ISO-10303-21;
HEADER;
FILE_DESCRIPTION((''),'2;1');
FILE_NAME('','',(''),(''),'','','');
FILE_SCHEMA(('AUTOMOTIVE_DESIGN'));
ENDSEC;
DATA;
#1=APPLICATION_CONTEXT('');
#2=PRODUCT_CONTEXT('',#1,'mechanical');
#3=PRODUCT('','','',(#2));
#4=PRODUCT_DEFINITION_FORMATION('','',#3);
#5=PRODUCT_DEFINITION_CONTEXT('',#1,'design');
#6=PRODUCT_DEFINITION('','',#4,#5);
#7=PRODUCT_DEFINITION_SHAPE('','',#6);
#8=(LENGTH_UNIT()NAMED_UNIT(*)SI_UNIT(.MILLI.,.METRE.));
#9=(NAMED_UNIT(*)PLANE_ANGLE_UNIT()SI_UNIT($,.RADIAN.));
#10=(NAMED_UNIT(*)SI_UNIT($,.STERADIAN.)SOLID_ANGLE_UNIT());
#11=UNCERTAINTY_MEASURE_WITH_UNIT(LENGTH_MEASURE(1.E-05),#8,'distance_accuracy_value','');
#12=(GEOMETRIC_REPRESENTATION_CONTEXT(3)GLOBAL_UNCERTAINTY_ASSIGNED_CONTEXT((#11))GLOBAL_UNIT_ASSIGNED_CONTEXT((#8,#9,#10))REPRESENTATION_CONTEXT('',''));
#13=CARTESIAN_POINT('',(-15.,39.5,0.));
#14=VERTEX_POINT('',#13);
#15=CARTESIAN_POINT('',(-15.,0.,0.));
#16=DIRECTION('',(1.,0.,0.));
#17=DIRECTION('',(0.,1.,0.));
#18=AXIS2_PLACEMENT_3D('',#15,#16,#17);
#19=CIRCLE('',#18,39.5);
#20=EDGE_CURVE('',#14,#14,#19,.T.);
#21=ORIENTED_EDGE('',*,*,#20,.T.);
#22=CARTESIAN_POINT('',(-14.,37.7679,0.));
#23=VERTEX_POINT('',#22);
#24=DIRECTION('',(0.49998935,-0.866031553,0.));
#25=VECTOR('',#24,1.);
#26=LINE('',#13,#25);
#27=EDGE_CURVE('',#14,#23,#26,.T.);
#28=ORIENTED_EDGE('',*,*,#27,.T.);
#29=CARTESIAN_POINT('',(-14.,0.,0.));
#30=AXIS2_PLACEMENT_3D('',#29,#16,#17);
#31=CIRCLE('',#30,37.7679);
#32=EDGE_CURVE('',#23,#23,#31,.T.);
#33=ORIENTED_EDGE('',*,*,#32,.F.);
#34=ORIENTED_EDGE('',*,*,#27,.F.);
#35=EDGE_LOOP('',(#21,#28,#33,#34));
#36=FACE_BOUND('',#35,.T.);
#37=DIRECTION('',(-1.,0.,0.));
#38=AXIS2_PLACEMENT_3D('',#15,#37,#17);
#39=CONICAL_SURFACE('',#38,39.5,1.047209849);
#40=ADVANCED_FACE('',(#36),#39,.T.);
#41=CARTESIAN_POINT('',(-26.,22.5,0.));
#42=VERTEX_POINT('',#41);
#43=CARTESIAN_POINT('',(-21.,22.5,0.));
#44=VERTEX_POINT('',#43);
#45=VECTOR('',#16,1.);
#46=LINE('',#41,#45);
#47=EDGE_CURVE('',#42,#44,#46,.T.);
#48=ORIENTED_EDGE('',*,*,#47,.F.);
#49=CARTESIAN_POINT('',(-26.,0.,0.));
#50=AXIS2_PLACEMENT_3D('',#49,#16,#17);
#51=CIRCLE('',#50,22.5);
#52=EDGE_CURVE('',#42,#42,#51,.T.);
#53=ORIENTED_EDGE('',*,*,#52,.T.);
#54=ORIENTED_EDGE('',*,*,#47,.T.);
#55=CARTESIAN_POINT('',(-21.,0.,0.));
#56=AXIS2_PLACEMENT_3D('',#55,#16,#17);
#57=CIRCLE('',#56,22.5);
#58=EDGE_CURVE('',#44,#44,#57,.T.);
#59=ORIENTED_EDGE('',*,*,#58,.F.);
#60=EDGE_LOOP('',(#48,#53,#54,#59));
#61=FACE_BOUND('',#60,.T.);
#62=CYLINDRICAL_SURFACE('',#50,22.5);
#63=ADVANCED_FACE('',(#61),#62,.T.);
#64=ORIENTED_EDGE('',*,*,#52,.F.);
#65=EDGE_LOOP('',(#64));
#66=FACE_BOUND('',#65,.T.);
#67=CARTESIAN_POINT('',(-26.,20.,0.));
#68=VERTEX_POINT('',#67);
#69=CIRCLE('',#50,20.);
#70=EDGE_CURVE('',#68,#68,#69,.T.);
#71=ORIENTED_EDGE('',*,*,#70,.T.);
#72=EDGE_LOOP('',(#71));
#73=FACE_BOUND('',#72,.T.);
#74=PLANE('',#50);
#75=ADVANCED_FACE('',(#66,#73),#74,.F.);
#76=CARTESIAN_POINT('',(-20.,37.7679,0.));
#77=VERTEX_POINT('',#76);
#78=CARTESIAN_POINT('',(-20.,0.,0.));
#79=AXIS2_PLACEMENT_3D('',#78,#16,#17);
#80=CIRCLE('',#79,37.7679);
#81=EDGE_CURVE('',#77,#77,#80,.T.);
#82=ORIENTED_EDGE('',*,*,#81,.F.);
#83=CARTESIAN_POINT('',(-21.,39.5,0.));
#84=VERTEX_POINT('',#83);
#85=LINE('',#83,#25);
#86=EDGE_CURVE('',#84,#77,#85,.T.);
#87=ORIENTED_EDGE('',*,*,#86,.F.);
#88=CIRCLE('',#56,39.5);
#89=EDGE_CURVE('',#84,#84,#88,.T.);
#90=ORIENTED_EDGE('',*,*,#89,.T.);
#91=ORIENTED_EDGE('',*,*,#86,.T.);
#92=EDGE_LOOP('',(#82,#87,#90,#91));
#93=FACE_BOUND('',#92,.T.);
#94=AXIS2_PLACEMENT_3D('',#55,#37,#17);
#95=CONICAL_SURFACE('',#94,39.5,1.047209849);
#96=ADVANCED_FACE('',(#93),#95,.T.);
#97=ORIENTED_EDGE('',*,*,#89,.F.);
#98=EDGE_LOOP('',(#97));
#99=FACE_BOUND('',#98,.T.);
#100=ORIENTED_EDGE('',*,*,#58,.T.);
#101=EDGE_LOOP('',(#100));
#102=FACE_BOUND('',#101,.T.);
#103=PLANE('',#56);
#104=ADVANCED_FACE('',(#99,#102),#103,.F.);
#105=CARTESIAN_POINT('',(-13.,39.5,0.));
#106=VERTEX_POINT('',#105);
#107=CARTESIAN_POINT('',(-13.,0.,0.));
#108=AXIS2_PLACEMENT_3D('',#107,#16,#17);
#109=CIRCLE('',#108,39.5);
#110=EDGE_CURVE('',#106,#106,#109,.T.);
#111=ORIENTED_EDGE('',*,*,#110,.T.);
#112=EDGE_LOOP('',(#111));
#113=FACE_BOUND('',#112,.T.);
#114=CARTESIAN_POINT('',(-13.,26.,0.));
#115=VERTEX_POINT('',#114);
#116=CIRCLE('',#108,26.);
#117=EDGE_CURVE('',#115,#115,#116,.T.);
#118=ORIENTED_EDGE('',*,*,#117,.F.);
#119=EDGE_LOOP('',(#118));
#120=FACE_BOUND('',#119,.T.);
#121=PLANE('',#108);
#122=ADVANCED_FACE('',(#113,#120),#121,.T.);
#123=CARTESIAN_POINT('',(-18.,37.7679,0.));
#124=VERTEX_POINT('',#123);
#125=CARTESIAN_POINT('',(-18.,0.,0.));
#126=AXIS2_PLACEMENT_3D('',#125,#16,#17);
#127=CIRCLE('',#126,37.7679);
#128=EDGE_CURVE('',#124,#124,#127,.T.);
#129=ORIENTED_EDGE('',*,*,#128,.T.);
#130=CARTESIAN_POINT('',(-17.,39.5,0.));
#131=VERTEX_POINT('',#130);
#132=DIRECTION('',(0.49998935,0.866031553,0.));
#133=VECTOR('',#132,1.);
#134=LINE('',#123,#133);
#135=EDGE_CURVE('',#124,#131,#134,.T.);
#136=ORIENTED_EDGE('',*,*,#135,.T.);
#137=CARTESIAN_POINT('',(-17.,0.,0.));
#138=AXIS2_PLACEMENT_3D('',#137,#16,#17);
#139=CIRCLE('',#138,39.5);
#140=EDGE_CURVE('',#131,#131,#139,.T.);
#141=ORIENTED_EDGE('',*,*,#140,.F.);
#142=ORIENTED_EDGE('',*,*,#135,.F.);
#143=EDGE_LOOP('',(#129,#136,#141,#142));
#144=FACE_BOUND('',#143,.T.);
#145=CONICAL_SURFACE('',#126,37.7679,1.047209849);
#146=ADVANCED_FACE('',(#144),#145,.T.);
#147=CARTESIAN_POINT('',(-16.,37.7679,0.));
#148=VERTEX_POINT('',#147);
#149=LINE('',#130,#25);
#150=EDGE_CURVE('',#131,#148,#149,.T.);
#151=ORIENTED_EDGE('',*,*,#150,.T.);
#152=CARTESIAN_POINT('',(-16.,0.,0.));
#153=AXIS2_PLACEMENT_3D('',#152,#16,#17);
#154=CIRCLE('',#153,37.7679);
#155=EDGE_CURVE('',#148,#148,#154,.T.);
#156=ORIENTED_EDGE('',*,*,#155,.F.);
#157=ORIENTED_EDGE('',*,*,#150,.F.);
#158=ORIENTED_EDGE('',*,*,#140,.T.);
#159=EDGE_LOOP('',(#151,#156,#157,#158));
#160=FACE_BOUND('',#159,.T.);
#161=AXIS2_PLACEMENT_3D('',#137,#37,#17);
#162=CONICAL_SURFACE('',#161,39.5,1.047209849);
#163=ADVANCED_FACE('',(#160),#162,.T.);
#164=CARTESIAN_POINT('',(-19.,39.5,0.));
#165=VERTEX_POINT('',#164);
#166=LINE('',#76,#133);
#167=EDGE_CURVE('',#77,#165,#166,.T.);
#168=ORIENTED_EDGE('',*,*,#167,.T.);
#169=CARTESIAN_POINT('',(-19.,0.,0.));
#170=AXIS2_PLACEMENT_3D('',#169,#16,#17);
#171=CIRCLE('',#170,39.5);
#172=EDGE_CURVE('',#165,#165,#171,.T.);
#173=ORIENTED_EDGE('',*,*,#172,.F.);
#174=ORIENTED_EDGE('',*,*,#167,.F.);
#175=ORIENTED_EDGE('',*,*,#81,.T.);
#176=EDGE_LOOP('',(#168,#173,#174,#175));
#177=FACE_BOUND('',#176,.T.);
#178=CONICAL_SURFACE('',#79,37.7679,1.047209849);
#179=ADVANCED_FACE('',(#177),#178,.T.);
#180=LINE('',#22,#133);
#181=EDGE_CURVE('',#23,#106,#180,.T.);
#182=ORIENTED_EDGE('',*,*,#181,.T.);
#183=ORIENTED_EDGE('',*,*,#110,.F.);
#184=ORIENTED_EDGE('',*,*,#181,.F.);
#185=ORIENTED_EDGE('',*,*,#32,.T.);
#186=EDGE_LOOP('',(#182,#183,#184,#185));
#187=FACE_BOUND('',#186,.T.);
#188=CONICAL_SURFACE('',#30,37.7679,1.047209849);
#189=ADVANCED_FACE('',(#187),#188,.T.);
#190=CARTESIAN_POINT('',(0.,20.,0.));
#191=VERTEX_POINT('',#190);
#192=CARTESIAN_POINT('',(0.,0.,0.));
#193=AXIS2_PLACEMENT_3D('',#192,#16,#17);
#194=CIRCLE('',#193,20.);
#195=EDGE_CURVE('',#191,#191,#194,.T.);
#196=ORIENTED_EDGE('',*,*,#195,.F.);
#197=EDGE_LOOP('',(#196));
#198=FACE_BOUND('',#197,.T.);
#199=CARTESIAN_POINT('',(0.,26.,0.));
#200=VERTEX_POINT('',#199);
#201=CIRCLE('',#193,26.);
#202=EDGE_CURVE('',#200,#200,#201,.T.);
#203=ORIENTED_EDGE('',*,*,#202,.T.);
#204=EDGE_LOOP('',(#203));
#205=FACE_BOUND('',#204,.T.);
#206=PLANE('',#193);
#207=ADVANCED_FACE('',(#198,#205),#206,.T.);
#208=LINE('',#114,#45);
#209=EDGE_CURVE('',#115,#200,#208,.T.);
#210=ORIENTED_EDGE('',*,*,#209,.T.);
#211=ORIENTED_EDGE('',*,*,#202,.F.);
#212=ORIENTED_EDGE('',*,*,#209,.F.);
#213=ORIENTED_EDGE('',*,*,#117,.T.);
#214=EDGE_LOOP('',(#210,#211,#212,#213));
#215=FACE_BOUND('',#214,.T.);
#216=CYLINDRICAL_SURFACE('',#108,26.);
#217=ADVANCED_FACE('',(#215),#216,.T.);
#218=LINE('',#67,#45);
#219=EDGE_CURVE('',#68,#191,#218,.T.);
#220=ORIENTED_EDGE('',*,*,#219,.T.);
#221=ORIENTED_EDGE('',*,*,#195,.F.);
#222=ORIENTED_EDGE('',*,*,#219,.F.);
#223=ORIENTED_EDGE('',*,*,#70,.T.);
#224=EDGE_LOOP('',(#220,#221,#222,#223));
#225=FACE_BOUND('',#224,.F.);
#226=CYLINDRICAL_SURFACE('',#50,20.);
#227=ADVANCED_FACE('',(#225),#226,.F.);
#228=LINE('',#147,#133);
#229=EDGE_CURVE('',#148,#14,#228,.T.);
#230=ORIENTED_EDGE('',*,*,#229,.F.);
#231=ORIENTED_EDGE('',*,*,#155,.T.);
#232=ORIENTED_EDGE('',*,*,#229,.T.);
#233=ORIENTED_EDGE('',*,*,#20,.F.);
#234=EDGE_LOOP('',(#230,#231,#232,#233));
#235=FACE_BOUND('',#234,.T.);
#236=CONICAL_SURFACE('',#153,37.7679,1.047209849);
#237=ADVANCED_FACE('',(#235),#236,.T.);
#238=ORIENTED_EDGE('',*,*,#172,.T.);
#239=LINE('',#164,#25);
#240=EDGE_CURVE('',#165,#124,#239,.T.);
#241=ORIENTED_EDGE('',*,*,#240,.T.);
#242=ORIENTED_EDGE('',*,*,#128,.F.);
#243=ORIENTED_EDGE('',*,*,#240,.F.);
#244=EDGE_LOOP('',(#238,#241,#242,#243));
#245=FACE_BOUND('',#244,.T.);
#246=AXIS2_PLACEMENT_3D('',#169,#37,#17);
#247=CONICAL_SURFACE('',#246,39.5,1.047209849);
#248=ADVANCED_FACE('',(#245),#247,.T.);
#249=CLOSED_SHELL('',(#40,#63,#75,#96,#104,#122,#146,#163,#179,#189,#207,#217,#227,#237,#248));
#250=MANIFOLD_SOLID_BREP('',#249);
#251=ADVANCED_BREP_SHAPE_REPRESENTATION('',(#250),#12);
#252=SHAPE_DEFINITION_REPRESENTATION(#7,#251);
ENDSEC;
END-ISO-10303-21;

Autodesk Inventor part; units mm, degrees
ref_plane "YZ Plane" through (0, 0, 0) normal (1, 0, 0) x (0, 1, 0)
ref_plane "XZ Plane" through (0, 0, 0) normal (0, 1, 0) x (-1, 0, 0)
ref_plane "XY Plane" through (0, 0, 0) normal (0, 0, 1) x (1, 0, 0)
sketch "草图1" plane through (0, 0, 0) normal (0, 0, 1) x (1, 0, 0)
  line L0 (-31.2, 0) -> (5.2, 0) construction
  line L1 (0, -36.4) -> (0, 36.4) construction
  line L2 (-26, 22.5) -> (-13, 22.5)
  line L3 (-13, -22.5) -> (-26, -22.5)
  line L4 (-26, -22.5) -> (-26, 22.5)
  line L5 (-13, 26) -> (0, 26)
  line L6 (0, 26) -> (0, -26)
  line L7 (0, -26) -> (-13, -26)
  line L8 (-13, -26) -> (-13, -22.5)
  line L9 (-13, 22.5) -> (-13, 26)
  line L10 (-26, 20) -> (0, 20)
  line L11 (0, 20) -> (0, -20)
  line L12 (0, -20) -> (-26, -20)
  line L13 (-26, -20) -> (-26, 20)
  point P0 (0, 0)
  point P1 (0, 20)
  dimension "d0" = 26
  dimension "d1" = 13
  dimension "d2" = 45
  dimension "d3" = 52
  dimension "d4" = 40
revolve "旋转1" add sketch "草图1" angle 360 about axis through (-10, 0, 0) along (1, 0, 0) contours L2 L9 L5 L6 L10 L4
sketch "草图2" plane through (0, 0, 0) normal (0, 0, 1) x (1, 0, 0)
  line L0 (-26, -22.5) -> (-26, 22.5) construction
  line L1 (-13, -22.5) -> (-13, 22.5) construction
  line L2 (-26, 22.5) -> (-13, 22.5) construction
  line L3 (-26, -22.5) -> (-13, -22.5) construction
  line L4 (-21, 39.5) -> (-13, 39.5)
  line L5 (-13, 39.5) -> (-13, -39.5)
  line L6 (-13, -39.5) -> (-21, -39.5)
  line L7 (-21, -39.5) -> (-21, 39.5)
  line L8 (-81.7478, 0) -> (13.6246, 0) construction
  line L9 (-21, 22.5) -> (-13, 22.5)
  line L10 (-21, 39.5) -> (-20, 37.7679)
  line L11 (-20, 37.7679) -> (-19, 39.5)
  line L12 (-19, 39.5) -> (-18, 37.7679)
  line L13 (-18, 37.7679) -> (-17, 39.5)
  line L14 (-17, 39.5) -> (-16, 37.7679)
  line L15 (-16, 37.7679) -> (-15, 39.5)
  line L16 (-15, 39.5) -> (-14, 37.7679)
  line L17 (-14, 37.7679) -> (-13, 39.5)
  point P0 (0, 0)
  dimension "d6" = 8
  dimension "d7" = 79
  dimension "d8" = 60
  dimension "d9" = 2
  dimension "d10" = 2
revolve "旋转2" add sketch "草图2" angle 360 about axis through (-10, 0, 0) along (1, 0, 0) contours L10 L11 L12 L13 L14 L15 L16 L17 L5 L9 L7
properties part number "轴套1"
